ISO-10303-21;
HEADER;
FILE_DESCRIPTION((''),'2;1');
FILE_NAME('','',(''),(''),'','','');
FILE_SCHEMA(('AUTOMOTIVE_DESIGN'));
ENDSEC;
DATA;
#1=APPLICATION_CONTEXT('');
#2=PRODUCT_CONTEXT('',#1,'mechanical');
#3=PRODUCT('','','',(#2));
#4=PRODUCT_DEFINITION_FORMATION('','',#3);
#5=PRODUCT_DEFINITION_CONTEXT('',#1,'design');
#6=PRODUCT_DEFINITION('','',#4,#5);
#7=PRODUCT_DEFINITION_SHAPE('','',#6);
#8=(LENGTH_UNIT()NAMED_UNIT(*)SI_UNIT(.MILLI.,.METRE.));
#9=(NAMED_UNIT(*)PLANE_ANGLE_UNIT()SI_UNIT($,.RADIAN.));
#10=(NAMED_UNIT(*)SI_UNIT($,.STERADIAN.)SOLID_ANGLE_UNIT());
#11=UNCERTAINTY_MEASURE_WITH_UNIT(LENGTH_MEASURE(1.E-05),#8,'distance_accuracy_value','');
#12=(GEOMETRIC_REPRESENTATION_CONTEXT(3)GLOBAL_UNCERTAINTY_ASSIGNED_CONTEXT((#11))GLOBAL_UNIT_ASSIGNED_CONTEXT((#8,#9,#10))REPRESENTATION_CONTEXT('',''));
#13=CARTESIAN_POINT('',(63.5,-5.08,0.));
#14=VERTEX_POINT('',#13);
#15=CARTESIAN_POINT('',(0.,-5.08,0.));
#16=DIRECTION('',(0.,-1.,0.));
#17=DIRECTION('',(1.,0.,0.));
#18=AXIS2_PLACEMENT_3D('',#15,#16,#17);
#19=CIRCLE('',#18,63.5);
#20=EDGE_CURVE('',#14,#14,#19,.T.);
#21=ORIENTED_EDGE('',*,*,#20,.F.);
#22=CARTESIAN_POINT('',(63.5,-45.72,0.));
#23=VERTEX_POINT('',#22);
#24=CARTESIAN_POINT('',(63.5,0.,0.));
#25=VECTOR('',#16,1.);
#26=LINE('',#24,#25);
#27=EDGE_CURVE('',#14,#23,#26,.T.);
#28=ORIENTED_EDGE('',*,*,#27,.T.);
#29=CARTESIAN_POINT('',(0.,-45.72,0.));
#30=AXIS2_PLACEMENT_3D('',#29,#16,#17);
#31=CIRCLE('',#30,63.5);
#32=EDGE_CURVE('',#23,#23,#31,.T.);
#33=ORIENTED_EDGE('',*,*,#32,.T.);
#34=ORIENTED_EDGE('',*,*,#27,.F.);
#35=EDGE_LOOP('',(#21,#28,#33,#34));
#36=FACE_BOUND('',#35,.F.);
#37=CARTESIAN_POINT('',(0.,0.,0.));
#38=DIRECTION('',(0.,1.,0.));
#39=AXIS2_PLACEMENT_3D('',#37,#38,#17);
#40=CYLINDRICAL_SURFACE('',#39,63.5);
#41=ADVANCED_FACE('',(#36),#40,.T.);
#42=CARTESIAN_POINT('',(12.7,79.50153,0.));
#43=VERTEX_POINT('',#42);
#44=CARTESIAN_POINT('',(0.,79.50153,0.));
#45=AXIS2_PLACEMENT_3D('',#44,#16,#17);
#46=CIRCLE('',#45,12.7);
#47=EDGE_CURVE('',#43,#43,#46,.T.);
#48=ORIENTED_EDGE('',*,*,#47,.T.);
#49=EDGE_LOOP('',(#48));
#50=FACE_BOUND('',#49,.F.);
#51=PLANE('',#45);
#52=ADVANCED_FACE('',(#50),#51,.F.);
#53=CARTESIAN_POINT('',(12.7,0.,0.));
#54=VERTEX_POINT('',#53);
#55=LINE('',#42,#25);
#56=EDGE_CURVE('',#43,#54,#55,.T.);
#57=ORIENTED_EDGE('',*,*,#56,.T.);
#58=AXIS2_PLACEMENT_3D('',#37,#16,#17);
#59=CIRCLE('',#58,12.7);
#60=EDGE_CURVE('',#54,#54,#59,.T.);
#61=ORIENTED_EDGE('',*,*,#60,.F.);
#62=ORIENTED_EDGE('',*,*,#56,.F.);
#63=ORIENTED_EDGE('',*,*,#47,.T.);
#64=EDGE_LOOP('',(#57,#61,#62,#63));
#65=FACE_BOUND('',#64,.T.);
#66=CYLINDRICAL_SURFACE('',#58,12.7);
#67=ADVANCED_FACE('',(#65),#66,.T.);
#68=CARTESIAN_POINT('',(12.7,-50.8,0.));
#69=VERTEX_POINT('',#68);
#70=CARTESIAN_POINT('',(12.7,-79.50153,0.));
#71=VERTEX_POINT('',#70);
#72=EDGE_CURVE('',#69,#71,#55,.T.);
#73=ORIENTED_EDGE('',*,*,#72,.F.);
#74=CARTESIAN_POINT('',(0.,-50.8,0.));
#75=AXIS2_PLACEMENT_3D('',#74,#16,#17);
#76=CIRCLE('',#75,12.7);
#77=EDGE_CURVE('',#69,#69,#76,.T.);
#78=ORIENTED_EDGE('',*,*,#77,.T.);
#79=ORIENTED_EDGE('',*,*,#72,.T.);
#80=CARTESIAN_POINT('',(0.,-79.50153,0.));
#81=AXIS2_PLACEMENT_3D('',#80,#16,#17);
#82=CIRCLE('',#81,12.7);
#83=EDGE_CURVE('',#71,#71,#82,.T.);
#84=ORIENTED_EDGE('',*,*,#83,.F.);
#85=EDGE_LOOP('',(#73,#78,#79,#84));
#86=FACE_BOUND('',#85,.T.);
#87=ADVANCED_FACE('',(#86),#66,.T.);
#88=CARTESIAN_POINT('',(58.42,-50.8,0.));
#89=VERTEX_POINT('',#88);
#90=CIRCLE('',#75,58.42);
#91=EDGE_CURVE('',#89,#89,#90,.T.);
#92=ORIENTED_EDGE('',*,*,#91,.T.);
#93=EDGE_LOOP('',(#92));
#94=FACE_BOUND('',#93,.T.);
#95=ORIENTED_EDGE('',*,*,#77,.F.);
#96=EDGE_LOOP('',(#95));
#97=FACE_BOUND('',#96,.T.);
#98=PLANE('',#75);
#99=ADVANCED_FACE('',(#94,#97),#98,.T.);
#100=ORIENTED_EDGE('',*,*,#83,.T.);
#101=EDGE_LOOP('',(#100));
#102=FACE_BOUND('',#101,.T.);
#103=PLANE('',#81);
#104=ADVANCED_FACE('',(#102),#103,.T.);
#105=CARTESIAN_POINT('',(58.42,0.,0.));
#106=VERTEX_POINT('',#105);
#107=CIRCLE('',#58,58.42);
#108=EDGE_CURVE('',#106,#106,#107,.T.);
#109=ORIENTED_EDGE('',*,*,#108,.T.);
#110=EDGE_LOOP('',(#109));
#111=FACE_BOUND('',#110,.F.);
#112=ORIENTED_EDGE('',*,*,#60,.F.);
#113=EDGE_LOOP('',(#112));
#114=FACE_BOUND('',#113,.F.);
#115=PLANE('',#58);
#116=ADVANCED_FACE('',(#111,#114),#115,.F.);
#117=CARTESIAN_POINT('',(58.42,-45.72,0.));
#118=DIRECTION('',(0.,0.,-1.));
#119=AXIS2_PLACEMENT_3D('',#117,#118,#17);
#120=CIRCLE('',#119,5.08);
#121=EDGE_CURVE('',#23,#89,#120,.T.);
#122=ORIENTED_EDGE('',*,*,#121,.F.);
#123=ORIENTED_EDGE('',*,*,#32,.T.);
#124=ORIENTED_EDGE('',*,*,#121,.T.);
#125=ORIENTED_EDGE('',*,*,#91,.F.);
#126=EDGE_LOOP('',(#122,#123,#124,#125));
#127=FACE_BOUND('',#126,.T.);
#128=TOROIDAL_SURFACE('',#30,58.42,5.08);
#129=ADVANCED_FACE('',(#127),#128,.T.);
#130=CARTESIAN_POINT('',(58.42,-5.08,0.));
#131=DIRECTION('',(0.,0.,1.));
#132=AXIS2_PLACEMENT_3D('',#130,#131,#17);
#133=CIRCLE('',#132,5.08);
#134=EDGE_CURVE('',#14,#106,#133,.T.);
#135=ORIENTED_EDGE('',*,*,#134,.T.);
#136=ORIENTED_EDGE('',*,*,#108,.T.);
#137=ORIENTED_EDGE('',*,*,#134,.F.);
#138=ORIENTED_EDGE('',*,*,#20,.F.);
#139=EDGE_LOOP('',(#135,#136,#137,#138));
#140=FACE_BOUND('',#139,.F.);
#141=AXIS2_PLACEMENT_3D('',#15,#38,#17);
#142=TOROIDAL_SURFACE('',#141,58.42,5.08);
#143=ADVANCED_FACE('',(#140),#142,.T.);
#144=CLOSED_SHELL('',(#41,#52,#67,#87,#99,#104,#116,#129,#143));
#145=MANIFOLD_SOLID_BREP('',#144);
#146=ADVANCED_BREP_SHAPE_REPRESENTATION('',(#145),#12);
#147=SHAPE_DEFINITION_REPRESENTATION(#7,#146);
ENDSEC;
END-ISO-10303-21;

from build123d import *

# Parameters (mm, degrees)
F0_R     = 63.5
F2_DEPTH = 50.8
F1_R     = 12.7
F3_DEPTH = 50.8
F4_R     = 12.7
F5_DEPTH = 79.50153
F6_R     = 5.08
F7_R     = 5.08


with BuildPart() as f2:
    # F0 (on Front) → F2 (new body)
    with BuildSketch(Plane.XZ):
        Circle(F0_R)
    extrude(amount=F2_DEPTH)

    # F1 (on face) → F3 (cut)
    with BuildSketch(Plane.XZ):
        Circle(F1_R)
    extrude(amount=F3_DEPTH, mode=Mode.SUBTRACT)

    # F4 (on Front) → F5 (join, symmetric)
    with BuildSketch(Plane.XZ):
        Circle(F4_R)
    extrude(amount=F5_DEPTH, both=True)

    # F6
    f6_edges = [f2.edges().sort_by_distance(p)[0] for p in [
        (-63.5, -50.8, 0),
    ]]
    fillet(f6_edges, radius=F6_R)

    # F7
    f7_edges = [f2.edges().sort_by_distance(p)[0] for p in [
        (-63.5, 0, 0),
    ]]
    fillet(f7_edges, radius=F7_R)


solid = f2.part
